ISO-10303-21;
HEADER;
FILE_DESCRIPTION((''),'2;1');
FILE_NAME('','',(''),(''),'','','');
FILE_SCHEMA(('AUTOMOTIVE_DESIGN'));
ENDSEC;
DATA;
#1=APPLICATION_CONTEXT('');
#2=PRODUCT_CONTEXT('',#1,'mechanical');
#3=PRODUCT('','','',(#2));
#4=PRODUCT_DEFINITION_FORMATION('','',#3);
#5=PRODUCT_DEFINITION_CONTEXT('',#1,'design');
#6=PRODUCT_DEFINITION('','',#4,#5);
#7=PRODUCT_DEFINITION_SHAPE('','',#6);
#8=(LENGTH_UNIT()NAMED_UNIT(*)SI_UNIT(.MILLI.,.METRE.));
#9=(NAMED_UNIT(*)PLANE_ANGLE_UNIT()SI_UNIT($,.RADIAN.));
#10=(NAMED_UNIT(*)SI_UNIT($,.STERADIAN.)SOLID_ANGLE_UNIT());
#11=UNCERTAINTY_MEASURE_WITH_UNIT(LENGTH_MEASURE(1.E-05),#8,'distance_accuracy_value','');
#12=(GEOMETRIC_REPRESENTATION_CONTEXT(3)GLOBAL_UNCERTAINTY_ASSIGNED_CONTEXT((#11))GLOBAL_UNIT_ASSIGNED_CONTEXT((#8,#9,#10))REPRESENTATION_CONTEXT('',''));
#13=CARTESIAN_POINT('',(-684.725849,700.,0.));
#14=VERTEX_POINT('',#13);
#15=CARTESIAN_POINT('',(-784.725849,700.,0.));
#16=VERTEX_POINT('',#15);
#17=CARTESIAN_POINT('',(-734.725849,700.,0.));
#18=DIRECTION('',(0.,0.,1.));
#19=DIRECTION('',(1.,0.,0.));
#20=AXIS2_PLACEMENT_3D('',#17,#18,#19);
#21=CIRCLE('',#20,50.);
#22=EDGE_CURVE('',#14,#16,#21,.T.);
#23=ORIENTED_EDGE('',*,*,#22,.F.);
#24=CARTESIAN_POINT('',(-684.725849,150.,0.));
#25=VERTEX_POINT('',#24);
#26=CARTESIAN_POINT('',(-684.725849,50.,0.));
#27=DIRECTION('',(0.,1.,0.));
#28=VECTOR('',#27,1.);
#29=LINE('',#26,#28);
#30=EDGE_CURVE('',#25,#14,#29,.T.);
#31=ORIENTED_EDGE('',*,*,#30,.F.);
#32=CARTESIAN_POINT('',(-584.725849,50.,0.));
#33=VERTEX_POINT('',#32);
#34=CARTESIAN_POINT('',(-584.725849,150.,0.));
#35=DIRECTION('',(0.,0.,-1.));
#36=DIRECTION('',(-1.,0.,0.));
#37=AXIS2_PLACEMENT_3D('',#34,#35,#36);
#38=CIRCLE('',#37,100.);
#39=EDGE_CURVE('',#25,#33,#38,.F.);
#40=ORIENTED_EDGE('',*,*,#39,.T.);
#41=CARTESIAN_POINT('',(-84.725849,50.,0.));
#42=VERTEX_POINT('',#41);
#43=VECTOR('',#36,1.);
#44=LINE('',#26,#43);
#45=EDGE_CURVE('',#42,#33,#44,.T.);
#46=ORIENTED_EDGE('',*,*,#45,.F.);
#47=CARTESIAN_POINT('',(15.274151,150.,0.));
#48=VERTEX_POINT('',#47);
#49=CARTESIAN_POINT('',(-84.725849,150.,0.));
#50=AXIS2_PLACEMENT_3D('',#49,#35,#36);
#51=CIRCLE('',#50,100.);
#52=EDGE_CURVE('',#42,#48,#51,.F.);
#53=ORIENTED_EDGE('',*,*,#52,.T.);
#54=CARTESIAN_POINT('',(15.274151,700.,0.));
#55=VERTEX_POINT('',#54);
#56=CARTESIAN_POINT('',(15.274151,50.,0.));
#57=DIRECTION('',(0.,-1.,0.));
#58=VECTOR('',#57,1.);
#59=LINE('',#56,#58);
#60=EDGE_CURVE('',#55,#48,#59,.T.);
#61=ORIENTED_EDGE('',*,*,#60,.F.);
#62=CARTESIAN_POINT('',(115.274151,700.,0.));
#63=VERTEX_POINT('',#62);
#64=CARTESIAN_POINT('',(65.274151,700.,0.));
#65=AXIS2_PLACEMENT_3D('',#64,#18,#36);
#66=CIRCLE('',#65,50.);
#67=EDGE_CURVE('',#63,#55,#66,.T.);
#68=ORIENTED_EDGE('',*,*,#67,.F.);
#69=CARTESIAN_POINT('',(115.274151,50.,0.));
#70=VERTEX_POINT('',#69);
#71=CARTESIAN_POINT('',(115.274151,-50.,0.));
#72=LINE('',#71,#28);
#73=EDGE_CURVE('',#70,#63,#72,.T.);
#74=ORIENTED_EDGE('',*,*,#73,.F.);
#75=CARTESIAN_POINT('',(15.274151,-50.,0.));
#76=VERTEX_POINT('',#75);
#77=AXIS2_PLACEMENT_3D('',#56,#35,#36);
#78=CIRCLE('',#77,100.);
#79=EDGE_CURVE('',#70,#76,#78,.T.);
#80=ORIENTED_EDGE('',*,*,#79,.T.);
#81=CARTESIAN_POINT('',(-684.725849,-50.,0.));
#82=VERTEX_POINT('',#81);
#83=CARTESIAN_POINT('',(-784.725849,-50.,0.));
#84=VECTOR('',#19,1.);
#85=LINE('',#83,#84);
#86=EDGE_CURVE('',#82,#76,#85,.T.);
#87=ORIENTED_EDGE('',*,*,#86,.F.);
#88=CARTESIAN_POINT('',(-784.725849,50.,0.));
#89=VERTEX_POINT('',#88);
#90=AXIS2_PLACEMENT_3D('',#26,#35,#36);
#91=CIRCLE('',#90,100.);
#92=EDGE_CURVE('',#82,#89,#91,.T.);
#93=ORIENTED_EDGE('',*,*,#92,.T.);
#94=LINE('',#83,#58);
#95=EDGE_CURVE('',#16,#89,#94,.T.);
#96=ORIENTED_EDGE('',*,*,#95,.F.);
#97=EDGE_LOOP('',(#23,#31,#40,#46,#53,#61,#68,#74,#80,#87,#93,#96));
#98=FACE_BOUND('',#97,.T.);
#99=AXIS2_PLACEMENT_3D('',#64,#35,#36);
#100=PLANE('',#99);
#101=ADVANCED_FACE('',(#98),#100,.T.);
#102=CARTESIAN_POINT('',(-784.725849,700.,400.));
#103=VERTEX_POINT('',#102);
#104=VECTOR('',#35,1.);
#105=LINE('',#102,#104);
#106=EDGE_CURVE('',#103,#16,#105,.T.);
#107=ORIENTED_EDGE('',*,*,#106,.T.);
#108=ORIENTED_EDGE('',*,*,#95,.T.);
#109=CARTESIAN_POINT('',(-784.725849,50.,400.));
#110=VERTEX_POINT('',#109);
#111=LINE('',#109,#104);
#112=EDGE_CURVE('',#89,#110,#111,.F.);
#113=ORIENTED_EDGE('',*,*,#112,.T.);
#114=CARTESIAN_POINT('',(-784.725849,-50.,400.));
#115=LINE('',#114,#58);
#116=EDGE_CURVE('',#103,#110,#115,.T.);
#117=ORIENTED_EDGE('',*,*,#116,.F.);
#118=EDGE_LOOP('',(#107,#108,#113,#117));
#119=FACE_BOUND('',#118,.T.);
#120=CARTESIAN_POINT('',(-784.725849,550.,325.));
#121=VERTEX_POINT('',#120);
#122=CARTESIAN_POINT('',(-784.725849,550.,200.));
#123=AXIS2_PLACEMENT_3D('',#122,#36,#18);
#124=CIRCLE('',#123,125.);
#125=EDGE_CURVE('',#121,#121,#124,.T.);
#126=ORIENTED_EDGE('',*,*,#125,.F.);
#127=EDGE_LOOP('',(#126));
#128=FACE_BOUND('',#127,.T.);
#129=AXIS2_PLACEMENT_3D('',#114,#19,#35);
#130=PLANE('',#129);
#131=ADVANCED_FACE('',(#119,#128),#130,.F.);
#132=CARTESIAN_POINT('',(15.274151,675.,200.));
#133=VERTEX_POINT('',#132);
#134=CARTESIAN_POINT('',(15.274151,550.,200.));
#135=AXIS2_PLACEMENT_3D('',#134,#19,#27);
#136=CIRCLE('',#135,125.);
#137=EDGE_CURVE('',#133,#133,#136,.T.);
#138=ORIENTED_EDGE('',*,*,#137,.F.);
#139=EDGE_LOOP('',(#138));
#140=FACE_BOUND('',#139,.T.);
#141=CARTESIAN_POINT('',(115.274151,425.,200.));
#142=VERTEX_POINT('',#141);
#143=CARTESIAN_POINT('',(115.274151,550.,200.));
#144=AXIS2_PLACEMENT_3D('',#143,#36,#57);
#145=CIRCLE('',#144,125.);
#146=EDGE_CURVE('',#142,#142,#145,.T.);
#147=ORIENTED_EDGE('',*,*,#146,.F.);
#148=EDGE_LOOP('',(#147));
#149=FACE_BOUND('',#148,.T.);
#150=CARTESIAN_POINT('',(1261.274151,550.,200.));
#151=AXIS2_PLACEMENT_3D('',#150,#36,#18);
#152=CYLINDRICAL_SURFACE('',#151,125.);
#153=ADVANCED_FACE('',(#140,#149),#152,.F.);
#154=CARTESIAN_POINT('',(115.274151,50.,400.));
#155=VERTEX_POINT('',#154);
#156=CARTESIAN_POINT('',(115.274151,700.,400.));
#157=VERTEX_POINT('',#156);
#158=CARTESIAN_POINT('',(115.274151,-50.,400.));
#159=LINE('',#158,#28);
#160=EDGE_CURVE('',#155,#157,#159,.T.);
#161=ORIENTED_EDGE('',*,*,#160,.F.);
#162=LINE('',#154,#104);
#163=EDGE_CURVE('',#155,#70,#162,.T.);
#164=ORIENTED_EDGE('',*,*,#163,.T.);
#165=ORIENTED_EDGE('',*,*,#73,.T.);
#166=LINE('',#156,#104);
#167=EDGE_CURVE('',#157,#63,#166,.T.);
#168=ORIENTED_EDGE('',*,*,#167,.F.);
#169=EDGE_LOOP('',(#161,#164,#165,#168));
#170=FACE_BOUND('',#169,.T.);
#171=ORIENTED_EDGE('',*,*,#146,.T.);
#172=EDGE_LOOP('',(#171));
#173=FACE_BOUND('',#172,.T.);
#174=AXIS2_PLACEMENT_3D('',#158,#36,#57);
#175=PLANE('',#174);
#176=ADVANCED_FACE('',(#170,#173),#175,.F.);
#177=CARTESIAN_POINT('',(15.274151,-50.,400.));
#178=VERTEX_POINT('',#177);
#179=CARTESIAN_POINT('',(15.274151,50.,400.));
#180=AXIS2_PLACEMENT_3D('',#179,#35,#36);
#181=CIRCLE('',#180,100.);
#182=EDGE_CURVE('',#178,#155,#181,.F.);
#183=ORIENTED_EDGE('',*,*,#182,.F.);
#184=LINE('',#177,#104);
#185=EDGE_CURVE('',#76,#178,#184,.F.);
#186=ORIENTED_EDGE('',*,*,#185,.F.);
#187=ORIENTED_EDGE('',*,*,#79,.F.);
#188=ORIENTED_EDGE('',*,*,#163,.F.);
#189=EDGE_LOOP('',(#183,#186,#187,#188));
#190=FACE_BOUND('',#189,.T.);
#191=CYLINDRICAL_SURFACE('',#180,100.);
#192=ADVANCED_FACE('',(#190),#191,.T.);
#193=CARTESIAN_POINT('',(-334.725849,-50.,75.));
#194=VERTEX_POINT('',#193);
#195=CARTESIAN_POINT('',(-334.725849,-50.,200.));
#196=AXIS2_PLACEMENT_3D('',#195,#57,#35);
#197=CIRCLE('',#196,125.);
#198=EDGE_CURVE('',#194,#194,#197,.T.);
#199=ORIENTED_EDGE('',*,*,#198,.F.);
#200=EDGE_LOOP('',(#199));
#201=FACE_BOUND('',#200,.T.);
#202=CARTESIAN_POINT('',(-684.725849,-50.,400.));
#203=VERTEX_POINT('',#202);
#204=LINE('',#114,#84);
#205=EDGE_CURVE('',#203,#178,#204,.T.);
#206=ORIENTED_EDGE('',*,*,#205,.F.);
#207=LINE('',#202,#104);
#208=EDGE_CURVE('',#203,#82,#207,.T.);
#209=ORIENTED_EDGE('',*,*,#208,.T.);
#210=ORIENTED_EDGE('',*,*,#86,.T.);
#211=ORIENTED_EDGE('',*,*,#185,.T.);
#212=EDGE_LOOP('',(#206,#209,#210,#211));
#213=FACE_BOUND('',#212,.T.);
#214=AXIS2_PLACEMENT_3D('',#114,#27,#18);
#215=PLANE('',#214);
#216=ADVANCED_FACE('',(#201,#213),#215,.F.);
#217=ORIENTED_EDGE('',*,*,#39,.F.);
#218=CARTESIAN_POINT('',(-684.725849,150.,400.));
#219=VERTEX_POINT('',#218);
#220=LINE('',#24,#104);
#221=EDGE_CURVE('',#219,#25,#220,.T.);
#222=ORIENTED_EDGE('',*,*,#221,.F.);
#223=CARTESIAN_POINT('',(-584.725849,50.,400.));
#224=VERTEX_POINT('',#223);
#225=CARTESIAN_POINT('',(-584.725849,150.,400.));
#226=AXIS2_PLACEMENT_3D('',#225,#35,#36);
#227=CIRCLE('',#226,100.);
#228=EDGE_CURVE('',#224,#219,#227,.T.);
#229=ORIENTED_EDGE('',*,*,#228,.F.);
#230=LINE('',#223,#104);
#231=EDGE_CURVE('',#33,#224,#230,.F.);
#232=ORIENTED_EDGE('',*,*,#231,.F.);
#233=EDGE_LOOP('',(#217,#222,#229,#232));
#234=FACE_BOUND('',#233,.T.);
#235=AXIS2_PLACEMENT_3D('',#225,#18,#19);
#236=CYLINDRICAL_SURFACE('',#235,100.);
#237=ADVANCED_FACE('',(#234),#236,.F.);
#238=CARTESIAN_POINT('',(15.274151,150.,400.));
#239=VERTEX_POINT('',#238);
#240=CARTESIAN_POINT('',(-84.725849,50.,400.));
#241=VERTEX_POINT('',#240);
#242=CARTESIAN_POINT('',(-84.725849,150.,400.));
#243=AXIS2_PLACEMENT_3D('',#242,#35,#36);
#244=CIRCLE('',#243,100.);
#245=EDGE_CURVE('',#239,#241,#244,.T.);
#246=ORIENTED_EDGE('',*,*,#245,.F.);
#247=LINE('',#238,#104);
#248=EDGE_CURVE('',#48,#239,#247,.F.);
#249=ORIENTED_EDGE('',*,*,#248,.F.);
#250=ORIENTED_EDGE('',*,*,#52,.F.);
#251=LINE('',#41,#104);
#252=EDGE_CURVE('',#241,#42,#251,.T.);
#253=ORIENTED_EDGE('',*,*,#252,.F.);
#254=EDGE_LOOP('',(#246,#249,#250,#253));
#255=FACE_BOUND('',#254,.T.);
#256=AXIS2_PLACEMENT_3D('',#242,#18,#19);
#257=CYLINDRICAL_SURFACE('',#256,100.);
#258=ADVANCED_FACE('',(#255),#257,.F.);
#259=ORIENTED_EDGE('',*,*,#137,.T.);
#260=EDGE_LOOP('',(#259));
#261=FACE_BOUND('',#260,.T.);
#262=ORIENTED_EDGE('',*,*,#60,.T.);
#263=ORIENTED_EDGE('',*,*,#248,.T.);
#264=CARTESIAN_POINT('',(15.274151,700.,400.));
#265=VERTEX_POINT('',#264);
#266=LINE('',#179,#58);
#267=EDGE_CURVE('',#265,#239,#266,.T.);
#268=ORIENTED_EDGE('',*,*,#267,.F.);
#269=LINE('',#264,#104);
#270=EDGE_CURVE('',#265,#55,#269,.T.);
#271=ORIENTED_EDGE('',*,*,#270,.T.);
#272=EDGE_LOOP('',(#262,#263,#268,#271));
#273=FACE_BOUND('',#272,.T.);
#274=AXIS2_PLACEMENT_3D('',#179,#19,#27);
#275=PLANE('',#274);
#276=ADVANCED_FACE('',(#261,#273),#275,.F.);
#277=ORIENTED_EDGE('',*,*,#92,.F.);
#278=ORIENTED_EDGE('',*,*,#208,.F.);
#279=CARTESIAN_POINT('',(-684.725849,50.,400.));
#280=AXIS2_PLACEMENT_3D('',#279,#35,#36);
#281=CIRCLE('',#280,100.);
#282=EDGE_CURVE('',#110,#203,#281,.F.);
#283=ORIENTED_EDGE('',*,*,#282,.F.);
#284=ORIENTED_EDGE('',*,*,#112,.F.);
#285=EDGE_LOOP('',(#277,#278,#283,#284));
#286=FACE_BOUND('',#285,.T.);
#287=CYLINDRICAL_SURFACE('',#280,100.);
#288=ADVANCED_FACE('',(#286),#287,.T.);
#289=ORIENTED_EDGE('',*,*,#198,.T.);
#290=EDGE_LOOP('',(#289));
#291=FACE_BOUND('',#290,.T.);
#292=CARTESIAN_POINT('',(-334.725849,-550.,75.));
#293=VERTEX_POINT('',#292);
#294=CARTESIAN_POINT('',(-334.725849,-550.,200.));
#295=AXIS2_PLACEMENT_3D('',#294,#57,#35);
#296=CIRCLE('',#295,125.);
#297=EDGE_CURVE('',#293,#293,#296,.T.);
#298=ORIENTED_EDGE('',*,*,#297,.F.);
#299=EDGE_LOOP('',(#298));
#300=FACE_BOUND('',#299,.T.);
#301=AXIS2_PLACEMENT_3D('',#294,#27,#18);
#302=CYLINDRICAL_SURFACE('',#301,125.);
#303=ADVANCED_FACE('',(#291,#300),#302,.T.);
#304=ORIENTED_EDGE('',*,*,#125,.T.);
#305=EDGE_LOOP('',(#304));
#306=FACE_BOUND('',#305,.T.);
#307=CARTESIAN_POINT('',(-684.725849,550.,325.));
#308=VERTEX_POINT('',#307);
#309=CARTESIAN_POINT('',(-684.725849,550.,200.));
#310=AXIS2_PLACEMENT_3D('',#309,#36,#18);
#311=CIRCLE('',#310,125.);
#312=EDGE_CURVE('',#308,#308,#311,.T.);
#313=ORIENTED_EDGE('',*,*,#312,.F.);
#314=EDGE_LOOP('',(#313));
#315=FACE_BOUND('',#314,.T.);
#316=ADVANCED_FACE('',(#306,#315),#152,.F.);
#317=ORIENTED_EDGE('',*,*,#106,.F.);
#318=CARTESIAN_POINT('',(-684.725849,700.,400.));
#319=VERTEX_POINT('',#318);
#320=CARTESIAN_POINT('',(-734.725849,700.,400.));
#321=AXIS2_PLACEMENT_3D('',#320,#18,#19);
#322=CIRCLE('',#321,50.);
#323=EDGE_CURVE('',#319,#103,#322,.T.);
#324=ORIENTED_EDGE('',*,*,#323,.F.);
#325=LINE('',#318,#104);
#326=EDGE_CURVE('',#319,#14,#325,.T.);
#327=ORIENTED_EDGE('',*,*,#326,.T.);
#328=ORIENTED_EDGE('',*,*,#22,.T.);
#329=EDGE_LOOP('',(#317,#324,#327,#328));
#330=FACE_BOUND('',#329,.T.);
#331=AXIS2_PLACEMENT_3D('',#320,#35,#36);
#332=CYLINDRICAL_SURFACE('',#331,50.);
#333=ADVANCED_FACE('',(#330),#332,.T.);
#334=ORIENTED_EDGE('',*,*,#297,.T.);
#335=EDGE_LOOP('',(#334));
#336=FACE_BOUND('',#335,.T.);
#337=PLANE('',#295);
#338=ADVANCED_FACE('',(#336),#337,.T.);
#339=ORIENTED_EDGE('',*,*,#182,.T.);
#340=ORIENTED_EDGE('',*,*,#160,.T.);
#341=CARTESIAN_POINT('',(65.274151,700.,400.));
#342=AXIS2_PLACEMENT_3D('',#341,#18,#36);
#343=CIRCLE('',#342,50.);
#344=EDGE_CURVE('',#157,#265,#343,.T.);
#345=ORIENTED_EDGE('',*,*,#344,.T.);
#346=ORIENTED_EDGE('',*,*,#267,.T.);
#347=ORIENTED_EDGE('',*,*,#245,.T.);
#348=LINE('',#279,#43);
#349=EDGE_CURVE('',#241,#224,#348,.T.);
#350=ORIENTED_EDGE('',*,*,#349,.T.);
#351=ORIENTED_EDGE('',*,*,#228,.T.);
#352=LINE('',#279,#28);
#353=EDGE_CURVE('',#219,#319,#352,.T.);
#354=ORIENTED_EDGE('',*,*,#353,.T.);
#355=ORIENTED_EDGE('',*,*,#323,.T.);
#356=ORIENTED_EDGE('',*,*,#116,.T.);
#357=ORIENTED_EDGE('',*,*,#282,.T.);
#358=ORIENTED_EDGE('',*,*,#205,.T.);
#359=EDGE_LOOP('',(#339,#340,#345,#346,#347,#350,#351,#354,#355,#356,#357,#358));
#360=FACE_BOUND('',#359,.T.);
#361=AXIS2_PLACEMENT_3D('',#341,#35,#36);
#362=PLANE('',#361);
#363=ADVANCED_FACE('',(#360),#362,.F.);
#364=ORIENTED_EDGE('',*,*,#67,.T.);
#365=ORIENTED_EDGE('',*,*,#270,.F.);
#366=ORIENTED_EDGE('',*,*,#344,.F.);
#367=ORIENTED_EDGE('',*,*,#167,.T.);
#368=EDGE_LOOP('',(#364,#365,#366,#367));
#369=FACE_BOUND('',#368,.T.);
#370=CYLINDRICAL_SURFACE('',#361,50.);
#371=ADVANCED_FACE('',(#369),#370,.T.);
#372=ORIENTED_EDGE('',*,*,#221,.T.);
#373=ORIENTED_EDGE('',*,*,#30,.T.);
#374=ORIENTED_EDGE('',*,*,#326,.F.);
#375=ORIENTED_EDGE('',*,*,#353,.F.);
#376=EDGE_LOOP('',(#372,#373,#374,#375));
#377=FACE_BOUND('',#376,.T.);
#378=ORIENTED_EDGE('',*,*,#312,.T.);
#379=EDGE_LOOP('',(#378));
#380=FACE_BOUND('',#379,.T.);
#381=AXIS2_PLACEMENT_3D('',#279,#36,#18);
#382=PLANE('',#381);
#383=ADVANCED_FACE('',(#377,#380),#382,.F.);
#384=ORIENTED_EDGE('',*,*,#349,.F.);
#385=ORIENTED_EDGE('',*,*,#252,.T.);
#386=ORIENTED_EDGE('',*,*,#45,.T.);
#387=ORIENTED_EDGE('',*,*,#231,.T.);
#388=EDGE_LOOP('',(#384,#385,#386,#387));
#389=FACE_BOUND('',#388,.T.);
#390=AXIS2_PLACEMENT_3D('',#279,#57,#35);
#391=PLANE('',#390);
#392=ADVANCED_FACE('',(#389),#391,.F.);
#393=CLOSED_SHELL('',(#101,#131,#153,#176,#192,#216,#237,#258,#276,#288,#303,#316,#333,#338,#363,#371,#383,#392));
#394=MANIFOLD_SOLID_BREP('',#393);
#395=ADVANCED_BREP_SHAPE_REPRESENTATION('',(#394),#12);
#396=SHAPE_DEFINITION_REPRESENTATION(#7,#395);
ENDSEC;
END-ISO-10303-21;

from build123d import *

# Parameters (mm, degrees)
BOSS_EXTRUDE1_DEPTH = 400
SKETCH3_R           = 125
BOSS_EXTRUDE2_DEPTH = 500
FILLET1_R           = 100
SKETCH5_R           = 125
CUT_EXTRUDE1_DEPTH  = 2046


with BuildPart() as part:
    # Sketch1 → Boss-Extrude1 (new body)
    with BuildSketch(Plane.XY):
        with BuildLine():
            Line((15.274151436, 50), (15.274151436, 700))
            ThreePointArc((15.274151436, 700), (65.274151436, 750), (115.274151436, 700))
            Line((115.274151436, 700), (115.274151436, -50))
            Line((115.274151436, -50), (-784.725848564, -50))
            Line((-784.725848564, -50), (-784.725848564, 700))
            ThreePointArc((-784.725848564, 700), (-734.725848564, 750), (-684.725848564, 700))
            Line((-684.725848564, 700), (-684.725848564, 50))
            Line((-684.725848564, 50), (15.274151436, 50))
        make_face()
    extrude(amount=BOSS_EXTRUDE1_DEPTH)

    # Sketch3 → Boss-Extrude2 (add)
    with BuildSketch(Plane.XZ.offset(50)):
        with Locations(Location((-334.725848564, 200, 0), (0, 0, 270))):
            Circle(SKETCH3_R)
    extrude(amount=BOSS_EXTRUDE2_DEPTH)

    # Fillet1
    fillet1_edges = [part.edges().sort_by_distance(p)[0] for p in [
        (15.274151436, 50, 200),
        (115.274151436, -50, 200),
        (-784.725848564, -50, 200),
        (-684.725848564, 50, 200),
    ]]
    fillet(fillet1_edges, radius=FILLET1_R)

    # Sketch5 → Cut-Extrude1 (cut)
    with BuildSketch(Plane.ZY.offset(784.725848564)):
        with Locations(Location((200, 550, 0), (0, 0, 90))):
            Circle(SKETCH5_R)
    extrude(amount=-CUT_EXTRUDE1_DEPTH, mode=Mode.SUBTRACT)


solid = part.part
